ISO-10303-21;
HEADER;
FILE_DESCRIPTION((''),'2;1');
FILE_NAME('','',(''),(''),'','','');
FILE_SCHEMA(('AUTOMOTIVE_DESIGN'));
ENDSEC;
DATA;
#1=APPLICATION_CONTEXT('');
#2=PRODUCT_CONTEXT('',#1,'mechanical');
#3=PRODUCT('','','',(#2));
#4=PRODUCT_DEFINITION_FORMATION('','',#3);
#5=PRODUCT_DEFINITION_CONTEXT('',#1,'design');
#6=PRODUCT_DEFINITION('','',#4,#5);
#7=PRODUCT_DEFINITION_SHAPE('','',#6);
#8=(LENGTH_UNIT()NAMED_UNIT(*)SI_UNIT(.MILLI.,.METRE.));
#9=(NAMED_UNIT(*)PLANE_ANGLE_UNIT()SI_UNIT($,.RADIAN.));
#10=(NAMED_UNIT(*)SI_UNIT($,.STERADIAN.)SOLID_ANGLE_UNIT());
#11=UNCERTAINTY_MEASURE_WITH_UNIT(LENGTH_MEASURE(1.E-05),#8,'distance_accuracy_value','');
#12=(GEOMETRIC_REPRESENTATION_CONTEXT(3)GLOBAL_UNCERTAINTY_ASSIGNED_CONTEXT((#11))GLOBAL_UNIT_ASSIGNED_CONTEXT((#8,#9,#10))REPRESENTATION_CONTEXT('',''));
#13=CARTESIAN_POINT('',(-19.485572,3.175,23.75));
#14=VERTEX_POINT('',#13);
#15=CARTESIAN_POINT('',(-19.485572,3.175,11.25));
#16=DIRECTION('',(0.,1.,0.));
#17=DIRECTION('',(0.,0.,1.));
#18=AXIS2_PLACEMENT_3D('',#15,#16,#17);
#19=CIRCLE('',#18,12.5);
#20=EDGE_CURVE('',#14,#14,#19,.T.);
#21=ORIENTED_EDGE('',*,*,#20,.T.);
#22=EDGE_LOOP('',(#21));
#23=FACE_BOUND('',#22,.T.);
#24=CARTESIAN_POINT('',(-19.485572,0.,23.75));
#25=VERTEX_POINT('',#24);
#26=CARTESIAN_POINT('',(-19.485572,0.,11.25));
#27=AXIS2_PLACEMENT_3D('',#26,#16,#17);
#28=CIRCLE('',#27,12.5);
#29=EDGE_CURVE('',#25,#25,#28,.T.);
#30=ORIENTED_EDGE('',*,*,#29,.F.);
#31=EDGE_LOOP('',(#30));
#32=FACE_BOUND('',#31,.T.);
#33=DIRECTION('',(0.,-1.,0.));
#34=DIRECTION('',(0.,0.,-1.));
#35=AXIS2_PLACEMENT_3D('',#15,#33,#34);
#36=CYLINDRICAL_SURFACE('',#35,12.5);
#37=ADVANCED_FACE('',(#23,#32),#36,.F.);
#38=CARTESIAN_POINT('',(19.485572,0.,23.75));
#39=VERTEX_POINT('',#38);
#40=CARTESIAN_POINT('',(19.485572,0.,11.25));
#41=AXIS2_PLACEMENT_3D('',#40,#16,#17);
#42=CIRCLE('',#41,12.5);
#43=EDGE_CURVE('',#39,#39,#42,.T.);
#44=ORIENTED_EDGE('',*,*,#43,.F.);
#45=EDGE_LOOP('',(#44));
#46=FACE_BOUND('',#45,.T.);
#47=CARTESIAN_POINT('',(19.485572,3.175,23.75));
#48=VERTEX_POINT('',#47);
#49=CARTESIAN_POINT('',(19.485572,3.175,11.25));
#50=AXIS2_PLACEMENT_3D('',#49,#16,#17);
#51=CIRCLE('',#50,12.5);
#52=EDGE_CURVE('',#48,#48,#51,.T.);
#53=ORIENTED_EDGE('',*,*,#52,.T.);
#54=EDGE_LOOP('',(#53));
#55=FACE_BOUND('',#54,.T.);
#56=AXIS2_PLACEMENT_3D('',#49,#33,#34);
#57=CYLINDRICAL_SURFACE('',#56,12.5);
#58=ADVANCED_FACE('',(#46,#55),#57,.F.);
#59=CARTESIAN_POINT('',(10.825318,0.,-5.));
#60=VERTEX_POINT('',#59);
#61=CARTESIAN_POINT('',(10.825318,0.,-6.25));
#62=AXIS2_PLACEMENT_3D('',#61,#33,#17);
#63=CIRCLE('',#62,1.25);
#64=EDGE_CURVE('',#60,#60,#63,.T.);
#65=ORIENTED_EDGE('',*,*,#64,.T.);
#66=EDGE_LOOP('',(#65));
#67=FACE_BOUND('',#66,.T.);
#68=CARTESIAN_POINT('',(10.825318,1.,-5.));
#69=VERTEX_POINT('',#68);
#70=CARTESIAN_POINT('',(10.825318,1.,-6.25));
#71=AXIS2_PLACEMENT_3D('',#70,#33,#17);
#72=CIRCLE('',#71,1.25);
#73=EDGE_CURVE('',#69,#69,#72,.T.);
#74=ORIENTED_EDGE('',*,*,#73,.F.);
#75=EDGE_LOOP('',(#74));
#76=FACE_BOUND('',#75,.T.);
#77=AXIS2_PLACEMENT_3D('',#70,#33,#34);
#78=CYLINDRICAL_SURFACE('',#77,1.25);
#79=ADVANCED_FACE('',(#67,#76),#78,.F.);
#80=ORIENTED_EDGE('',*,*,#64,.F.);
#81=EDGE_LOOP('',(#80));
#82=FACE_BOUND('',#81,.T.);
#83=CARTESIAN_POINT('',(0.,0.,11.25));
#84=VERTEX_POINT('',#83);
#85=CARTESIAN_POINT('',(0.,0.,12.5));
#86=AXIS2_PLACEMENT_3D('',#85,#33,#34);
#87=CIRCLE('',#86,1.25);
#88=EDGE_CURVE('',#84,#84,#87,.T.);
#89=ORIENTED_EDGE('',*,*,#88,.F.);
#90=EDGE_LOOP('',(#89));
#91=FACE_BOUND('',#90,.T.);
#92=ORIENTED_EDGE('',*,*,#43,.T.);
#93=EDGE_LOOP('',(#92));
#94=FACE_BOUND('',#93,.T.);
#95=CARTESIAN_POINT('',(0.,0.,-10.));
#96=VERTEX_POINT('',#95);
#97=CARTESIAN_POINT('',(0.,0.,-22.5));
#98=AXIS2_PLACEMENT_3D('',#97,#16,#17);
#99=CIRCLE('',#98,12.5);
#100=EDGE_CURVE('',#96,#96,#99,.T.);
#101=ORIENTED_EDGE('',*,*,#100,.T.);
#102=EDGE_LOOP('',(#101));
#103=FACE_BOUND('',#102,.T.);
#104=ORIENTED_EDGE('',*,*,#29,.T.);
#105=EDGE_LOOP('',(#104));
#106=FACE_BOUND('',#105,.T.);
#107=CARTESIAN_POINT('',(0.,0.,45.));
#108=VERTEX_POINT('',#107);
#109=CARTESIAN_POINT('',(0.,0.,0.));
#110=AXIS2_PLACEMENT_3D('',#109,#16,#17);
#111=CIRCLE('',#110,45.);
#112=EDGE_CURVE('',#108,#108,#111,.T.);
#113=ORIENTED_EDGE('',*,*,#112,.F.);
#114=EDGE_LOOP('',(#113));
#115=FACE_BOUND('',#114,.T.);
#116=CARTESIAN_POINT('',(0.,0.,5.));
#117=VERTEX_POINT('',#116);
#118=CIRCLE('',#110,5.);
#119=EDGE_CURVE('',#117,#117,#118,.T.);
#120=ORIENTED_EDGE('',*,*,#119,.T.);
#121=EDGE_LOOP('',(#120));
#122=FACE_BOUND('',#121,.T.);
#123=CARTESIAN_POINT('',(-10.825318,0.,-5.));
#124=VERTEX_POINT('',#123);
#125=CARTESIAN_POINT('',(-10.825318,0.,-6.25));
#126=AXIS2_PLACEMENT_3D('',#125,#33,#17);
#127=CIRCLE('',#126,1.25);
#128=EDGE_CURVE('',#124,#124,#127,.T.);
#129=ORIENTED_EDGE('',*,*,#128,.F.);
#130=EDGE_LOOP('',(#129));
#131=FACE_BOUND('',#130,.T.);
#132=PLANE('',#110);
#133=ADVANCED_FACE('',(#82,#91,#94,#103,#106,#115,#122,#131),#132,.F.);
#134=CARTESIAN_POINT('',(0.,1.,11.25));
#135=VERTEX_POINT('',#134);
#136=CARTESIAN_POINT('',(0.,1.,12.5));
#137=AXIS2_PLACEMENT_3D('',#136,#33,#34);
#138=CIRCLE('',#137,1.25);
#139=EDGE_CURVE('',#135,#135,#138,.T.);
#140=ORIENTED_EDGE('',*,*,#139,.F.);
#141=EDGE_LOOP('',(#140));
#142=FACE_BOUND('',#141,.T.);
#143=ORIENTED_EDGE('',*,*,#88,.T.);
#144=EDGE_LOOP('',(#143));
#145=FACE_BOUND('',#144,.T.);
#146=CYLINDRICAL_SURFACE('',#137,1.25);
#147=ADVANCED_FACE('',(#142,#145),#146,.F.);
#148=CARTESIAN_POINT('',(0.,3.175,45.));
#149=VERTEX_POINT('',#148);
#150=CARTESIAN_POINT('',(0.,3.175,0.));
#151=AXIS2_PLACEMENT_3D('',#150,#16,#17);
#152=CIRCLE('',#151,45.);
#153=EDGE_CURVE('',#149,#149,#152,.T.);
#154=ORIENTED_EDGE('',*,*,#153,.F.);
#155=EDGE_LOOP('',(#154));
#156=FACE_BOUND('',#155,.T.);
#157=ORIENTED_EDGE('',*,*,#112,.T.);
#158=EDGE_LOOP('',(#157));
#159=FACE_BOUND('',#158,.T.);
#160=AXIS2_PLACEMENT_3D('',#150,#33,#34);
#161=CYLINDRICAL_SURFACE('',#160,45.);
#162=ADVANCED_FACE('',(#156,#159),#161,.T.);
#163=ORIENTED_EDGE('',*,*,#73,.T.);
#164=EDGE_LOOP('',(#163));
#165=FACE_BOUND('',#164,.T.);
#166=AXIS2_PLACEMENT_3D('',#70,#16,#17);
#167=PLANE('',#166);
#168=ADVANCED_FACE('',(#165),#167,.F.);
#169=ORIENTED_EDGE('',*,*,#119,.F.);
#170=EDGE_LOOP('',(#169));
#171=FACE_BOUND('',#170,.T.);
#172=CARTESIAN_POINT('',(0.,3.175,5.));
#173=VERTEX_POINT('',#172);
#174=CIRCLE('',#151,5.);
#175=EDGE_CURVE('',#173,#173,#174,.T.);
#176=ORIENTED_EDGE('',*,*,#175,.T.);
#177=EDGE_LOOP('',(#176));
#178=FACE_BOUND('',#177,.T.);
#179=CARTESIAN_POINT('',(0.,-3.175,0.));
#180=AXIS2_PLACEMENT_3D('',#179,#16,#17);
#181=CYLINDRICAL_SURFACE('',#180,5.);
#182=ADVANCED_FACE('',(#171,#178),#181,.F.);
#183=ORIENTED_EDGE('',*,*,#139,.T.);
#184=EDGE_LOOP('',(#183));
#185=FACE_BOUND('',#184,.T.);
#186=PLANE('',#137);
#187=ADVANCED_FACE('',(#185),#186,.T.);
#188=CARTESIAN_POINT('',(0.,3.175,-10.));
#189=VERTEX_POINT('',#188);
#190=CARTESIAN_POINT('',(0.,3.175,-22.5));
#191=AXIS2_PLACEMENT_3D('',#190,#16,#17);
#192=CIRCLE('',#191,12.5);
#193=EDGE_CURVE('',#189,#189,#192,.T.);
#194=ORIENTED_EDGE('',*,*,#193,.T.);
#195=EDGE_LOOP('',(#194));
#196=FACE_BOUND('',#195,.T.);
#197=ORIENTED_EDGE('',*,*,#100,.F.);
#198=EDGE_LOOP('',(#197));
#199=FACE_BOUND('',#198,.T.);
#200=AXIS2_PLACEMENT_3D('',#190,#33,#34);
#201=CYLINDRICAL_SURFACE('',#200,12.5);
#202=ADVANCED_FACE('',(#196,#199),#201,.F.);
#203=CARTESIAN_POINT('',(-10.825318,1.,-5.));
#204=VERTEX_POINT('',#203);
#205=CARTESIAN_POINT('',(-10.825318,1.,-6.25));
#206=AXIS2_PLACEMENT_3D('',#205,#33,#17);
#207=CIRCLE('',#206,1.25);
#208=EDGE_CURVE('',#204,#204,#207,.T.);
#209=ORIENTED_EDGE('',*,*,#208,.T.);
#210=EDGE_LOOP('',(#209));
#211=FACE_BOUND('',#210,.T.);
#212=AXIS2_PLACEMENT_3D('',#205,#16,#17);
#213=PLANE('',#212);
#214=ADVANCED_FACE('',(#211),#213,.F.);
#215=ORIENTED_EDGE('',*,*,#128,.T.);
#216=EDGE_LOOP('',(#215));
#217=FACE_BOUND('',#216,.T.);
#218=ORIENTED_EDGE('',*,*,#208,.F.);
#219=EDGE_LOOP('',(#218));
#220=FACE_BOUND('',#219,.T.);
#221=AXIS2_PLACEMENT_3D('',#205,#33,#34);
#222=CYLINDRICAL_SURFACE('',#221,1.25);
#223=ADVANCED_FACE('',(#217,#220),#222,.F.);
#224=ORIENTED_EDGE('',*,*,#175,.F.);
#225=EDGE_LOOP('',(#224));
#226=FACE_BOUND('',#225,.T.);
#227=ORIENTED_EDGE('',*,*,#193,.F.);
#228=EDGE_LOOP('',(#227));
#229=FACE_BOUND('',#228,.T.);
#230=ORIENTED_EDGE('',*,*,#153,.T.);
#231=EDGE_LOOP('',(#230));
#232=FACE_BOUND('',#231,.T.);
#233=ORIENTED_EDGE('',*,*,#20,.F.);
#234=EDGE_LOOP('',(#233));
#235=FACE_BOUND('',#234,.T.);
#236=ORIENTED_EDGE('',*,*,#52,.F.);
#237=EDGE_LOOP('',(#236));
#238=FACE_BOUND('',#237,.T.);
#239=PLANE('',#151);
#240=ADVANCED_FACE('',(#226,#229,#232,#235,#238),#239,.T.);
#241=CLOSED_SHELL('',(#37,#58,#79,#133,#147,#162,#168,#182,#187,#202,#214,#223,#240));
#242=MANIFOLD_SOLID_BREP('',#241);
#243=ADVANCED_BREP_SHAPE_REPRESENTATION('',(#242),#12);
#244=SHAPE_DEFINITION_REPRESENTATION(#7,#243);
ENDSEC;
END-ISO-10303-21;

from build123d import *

# Parameters (mm, degrees)
SKETCH1_R           = 45
SKETCH1_R_2         = 12.5
BOSS_EXTRUDE1_DEPTH = 3.175
SKETCH3_R           = 5
CUT_EXTRUDE1_DEPTH  = 6.35
SKETCH4_R           = 1.25
CUT_EXTRUDE2_DEPTH  = 1


with BuildPart() as part:
    # Sketch1 → Boss-Extrude1 (new body)
    with BuildSketch(Plane(origin=(0, 0, 0), x_dir=(1, 0, 0), z_dir=(0, 1, 0))):
        with Locations(Location((0, 0, 0), (0, 0, 270))):
            Circle(SKETCH1_R)
        with Locations(Location((0, 22.5, 0), (0, 0, 270))):
            Circle(SKETCH1_R_2, mode=Mode.SUBTRACT)
        with Locations(Location((19.485571585, -11.25, 0), (0, 0, 270))):
            Circle(SKETCH1_R_2, mode=Mode.SUBTRACT)
        with Locations(Location((-19.485571585, -11.25, 0), (0, 0, 270))):
            Circle(SKETCH1_R_2, mode=Mode.SUBTRACT)
    extrude(amount=BOSS_EXTRUDE1_DEPTH)

    # Sketch3 → Cut-Extrude1 (cut)
    with BuildSketch(Plane(origin=(0, 3.175, 0), x_dir=(1, 0, 0), z_dir=(0, 1, 0))):
        with Locations(Location((0, 0, 0), (0, 0, 270))):
            Circle(SKETCH3_R)
    extrude(amount=-CUT_EXTRUDE1_DEPTH, mode=Mode.SUBTRACT)

    # Sketch4 → Cut-Extrude2 (cut)
    with BuildSketch(Plane.XZ):
        with Locations(Location((0, 12.5, 0), (0, 0, 270))):
            Circle(SKETCH4_R)
        with Locations(Location((10.825317547, -6.25, 0), (0, 0, 90))):
            Circle(SKETCH4_R)
        with Locations(Location((-10.825317547, -6.25, 0), (0, 0, 90))):
            Circle(SKETCH4_R)
    extrude(amount=-CUT_EXTRUDE2_DEPTH, mode=Mode.SUBTRACT)


solid = part.part
